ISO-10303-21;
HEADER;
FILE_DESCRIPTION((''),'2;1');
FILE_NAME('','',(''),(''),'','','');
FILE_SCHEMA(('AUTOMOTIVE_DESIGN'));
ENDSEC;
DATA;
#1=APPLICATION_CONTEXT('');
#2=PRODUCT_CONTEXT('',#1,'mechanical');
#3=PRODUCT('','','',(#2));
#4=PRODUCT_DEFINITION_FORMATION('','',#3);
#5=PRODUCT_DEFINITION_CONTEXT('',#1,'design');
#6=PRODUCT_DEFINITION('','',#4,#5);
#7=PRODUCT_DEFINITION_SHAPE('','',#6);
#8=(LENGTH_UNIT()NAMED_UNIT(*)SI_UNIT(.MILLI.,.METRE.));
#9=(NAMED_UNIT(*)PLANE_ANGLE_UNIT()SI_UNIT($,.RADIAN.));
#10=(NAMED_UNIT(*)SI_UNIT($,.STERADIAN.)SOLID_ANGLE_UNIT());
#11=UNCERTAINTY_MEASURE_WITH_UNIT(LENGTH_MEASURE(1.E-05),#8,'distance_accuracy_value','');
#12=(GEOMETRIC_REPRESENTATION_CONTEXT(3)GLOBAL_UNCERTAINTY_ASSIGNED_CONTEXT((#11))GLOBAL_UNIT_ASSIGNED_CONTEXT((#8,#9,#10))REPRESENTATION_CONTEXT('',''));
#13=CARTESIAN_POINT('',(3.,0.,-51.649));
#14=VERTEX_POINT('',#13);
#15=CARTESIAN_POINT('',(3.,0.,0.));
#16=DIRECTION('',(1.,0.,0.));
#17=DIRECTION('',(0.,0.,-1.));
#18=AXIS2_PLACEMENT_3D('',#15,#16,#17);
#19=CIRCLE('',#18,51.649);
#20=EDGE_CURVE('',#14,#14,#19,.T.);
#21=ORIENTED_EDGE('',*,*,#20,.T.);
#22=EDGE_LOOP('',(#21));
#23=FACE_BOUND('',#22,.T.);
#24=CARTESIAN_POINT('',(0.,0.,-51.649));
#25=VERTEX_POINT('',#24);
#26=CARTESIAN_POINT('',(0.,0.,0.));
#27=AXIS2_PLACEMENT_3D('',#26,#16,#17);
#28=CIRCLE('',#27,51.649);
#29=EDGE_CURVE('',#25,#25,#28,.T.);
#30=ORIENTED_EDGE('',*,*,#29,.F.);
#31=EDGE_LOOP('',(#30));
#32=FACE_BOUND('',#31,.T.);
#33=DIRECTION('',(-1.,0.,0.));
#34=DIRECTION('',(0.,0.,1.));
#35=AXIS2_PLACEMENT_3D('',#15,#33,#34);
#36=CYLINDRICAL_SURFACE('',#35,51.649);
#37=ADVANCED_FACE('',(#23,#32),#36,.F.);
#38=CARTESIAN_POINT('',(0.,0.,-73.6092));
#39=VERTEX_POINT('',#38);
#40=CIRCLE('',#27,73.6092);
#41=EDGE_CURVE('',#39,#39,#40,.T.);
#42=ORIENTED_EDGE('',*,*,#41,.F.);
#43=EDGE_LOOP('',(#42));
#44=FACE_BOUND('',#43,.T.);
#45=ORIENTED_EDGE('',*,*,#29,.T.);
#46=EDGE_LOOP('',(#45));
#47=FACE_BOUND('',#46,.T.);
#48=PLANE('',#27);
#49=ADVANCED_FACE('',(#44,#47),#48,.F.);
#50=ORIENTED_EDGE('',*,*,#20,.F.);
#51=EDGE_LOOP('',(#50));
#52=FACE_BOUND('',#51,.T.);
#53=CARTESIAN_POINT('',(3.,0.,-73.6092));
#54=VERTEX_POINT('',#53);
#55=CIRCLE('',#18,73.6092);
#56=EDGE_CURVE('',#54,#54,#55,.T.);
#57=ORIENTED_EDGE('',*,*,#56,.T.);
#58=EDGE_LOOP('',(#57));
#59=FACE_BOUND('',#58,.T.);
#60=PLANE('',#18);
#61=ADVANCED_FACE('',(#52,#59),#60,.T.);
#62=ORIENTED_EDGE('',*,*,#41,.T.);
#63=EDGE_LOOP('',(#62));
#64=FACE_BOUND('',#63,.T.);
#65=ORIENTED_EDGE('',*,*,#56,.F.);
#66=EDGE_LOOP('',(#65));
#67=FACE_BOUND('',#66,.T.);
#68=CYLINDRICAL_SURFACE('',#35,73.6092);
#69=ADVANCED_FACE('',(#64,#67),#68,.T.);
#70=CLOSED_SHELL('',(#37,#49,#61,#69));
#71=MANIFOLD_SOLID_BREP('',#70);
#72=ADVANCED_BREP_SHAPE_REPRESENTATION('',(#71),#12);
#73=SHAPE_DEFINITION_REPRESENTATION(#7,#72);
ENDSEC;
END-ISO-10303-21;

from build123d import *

# Parameters (mm, degrees)
ESQUISSE1_R        = 73.6092
ESQUISSE1_R_2      = 51.649
BOSS_EXTRU_1_DEPTH = 3


with BuildPart() as part:
    # Esquisse1 → Boss.-Extru.1 (new body)
    with BuildSketch(Plane(origin=(0, 0, 0), x_dir=(0, 0, -1), z_dir=(1, 0, 0))):
        Circle(ESQUISSE1_R)
        Circle(ESQUISSE1_R_2, mode=Mode.SUBTRACT)
    extrude(amount=BOSS_EXTRU_1_DEPTH)


solid = part.part
